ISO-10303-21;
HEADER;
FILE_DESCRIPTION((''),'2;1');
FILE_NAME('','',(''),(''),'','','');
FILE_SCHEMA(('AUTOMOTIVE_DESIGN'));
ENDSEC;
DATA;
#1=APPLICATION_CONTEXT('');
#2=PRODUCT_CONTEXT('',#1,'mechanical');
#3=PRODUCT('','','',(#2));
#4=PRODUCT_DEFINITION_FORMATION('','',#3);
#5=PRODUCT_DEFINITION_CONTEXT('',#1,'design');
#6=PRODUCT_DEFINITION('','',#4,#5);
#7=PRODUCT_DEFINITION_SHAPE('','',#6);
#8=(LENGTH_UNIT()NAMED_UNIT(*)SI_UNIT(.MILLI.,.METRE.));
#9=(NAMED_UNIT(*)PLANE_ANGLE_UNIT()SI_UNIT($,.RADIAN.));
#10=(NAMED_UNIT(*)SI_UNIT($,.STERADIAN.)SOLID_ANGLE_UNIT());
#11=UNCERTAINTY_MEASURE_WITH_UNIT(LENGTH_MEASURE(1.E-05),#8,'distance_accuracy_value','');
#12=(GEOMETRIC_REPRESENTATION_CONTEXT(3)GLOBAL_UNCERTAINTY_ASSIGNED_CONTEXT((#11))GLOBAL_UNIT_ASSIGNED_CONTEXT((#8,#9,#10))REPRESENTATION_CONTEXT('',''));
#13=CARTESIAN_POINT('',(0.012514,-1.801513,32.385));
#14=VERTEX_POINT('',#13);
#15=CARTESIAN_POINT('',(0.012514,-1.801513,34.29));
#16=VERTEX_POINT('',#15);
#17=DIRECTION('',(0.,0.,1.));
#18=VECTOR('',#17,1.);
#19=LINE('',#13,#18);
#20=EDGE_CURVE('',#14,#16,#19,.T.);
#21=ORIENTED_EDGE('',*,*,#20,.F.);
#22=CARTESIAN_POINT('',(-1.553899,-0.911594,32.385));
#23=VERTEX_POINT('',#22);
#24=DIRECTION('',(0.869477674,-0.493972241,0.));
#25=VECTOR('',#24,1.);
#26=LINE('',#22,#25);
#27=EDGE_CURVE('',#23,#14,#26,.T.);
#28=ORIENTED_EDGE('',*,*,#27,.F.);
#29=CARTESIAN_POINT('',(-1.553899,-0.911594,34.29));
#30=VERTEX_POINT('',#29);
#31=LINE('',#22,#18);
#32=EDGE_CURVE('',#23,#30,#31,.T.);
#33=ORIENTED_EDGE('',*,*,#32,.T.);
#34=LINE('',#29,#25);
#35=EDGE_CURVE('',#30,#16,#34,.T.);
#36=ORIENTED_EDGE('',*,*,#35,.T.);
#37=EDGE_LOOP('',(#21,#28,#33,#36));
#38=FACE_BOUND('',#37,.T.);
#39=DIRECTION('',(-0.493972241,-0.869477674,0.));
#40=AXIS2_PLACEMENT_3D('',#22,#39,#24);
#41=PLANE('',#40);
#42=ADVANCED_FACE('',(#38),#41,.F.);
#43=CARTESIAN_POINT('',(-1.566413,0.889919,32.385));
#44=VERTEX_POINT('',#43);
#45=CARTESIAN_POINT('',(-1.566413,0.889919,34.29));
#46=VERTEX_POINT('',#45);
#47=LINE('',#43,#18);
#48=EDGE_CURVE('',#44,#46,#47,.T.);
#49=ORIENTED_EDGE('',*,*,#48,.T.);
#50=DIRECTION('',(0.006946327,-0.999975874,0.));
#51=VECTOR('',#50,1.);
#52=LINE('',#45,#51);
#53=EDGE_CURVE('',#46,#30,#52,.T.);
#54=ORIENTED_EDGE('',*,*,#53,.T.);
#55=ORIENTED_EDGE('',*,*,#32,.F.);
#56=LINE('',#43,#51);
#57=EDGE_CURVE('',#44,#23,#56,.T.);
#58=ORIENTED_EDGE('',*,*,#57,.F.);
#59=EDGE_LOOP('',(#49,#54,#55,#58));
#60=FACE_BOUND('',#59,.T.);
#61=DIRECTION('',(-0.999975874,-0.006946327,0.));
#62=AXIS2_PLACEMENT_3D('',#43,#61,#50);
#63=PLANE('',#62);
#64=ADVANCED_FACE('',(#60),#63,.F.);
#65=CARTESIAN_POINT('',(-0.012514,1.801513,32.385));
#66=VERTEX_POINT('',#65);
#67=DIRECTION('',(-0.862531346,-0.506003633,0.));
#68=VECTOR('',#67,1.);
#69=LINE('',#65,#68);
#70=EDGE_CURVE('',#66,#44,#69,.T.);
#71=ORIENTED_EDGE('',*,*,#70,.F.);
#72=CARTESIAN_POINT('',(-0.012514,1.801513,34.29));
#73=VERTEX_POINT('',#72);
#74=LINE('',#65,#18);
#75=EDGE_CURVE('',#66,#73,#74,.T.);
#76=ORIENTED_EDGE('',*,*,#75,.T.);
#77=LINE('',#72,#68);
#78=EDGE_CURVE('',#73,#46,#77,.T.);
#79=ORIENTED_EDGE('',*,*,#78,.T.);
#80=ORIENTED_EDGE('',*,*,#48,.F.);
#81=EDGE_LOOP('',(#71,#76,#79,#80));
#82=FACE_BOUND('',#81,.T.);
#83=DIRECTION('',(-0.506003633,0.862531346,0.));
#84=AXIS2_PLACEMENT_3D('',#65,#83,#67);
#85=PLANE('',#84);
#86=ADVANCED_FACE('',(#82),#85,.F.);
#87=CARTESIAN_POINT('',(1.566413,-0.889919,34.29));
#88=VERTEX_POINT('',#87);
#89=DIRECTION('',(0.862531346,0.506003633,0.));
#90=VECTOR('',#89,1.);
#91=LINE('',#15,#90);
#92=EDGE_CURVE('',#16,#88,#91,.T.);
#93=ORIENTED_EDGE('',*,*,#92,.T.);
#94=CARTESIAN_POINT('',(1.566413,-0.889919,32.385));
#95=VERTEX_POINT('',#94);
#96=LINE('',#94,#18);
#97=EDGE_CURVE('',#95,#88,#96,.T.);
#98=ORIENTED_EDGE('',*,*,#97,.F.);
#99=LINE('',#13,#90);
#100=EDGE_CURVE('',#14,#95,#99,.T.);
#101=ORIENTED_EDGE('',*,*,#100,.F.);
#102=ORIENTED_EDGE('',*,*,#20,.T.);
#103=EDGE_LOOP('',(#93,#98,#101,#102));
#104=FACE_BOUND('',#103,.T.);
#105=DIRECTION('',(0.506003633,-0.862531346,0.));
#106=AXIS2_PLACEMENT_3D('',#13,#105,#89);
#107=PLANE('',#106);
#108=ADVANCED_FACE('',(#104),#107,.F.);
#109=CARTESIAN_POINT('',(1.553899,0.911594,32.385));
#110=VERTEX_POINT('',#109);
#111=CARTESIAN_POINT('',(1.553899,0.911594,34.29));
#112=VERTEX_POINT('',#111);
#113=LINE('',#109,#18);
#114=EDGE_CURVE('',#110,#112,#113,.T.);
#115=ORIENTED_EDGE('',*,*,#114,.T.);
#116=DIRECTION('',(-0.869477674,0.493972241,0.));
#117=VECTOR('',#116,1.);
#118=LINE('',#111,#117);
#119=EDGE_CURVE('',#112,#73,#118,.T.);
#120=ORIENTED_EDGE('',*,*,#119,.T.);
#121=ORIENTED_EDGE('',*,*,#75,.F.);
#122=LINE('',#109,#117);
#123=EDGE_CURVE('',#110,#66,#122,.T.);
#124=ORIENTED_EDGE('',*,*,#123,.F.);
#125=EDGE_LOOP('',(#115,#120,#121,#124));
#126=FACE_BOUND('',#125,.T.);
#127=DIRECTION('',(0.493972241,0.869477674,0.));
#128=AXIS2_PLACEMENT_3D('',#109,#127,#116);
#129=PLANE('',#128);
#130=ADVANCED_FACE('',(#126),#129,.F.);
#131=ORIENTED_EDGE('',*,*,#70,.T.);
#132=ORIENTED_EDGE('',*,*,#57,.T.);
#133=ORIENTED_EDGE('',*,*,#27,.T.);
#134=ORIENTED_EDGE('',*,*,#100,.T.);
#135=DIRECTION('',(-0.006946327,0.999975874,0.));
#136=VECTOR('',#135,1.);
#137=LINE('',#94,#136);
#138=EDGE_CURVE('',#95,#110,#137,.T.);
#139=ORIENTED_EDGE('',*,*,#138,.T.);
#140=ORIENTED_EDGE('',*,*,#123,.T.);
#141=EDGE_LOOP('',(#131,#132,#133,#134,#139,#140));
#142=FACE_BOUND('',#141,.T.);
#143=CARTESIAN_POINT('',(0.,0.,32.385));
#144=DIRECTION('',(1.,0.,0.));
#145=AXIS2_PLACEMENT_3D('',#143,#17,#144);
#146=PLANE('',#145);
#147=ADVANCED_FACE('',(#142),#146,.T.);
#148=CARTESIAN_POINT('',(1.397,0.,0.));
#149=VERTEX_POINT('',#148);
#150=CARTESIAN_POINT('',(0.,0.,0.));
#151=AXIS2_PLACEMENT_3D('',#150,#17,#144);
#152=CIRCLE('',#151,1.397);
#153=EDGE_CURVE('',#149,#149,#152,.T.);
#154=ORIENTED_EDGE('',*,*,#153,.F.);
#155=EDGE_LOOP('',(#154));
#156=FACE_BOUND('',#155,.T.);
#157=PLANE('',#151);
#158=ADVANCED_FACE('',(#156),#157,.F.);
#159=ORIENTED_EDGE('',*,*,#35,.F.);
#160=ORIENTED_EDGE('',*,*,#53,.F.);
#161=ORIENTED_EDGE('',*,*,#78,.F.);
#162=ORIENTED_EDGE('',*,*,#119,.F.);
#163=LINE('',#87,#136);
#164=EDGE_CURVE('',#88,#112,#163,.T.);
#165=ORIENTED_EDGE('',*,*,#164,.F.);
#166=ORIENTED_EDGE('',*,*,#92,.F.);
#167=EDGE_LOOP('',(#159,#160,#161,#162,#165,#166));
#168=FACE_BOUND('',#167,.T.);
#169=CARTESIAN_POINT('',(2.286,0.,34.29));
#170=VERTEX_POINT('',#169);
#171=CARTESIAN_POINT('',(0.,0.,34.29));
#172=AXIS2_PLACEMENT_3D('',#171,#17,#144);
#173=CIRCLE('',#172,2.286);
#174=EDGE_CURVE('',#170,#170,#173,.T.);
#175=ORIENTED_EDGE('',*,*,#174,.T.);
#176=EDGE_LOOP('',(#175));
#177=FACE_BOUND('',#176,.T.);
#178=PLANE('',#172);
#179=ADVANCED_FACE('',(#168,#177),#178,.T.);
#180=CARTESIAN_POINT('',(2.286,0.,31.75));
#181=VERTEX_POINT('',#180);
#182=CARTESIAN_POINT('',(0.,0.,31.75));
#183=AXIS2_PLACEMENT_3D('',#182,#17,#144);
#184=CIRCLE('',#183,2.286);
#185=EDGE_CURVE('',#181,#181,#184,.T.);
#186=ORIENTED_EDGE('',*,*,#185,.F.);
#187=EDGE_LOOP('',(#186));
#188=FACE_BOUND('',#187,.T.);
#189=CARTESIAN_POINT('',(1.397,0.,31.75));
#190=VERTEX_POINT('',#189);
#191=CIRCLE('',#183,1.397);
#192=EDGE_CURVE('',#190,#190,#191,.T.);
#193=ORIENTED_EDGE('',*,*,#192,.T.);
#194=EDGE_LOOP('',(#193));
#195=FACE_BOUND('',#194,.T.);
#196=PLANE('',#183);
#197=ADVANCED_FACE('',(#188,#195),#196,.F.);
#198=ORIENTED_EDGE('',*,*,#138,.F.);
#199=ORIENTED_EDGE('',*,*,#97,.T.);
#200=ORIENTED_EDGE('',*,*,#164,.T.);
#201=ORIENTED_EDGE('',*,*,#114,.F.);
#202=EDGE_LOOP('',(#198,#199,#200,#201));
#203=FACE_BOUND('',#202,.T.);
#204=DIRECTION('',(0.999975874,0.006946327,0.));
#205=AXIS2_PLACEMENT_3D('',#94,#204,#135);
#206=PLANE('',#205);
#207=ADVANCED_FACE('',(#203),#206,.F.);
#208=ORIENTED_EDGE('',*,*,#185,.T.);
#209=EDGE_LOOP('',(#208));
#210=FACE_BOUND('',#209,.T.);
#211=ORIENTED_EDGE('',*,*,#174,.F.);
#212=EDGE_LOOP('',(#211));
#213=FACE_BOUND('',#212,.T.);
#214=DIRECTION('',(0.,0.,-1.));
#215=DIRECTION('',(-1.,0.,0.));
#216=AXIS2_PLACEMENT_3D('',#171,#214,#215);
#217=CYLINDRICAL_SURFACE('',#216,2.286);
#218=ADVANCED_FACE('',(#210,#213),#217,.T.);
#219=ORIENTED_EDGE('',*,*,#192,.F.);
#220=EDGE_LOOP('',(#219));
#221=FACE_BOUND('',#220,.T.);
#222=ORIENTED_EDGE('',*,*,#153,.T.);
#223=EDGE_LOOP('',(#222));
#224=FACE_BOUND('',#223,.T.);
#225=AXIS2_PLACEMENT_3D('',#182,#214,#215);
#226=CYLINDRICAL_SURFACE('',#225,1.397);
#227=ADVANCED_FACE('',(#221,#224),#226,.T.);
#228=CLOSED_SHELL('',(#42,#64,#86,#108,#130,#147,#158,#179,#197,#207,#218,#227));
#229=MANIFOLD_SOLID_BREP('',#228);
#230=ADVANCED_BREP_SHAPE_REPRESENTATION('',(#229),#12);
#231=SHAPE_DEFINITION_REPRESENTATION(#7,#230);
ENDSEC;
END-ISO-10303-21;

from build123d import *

# Parameters (mm, degrees)
SKETCH1_R           = 1.397
BOSS_EXTRUDE1_DEPTH = 31.75
SKETCH2_R           = 2.286
BOSS_EXTRUDE2_DEPTH = 2.54
CUT_EXTRUDE1_DEPTH  = 1.905


with BuildPart() as part:
    # Sketch1 → Boss-Extrude1 (new body)
    with BuildSketch(Plane.XY):
        Circle(SKETCH1_R)
    extrude(amount=BOSS_EXTRUDE1_DEPTH)

    # Sketch2 → Boss-Extrude2 (add)
    with BuildSketch(Plane.XY.offset(31.75)):
        Circle(SKETCH2_R)
    extrude(amount=BOSS_EXTRUDE2_DEPTH)

    # Sketch4 → Cut-Extrude1 (cut)
    with BuildSketch(Plane.XY.offset(34.29)):
        Polygon((1.566413347, -0.889919011), (1.553899145, 0.911594246), (-0.012514203, 1.801513257), (-1.566413347, 0.889919011), (-1.553899145, -0.911594246), (0.012514203, -1.801513257), align=None)
    extrude(amount=-CUT_EXTRUDE1_DEPTH, mode=Mode.SUBTRACT)


solid = part.part
